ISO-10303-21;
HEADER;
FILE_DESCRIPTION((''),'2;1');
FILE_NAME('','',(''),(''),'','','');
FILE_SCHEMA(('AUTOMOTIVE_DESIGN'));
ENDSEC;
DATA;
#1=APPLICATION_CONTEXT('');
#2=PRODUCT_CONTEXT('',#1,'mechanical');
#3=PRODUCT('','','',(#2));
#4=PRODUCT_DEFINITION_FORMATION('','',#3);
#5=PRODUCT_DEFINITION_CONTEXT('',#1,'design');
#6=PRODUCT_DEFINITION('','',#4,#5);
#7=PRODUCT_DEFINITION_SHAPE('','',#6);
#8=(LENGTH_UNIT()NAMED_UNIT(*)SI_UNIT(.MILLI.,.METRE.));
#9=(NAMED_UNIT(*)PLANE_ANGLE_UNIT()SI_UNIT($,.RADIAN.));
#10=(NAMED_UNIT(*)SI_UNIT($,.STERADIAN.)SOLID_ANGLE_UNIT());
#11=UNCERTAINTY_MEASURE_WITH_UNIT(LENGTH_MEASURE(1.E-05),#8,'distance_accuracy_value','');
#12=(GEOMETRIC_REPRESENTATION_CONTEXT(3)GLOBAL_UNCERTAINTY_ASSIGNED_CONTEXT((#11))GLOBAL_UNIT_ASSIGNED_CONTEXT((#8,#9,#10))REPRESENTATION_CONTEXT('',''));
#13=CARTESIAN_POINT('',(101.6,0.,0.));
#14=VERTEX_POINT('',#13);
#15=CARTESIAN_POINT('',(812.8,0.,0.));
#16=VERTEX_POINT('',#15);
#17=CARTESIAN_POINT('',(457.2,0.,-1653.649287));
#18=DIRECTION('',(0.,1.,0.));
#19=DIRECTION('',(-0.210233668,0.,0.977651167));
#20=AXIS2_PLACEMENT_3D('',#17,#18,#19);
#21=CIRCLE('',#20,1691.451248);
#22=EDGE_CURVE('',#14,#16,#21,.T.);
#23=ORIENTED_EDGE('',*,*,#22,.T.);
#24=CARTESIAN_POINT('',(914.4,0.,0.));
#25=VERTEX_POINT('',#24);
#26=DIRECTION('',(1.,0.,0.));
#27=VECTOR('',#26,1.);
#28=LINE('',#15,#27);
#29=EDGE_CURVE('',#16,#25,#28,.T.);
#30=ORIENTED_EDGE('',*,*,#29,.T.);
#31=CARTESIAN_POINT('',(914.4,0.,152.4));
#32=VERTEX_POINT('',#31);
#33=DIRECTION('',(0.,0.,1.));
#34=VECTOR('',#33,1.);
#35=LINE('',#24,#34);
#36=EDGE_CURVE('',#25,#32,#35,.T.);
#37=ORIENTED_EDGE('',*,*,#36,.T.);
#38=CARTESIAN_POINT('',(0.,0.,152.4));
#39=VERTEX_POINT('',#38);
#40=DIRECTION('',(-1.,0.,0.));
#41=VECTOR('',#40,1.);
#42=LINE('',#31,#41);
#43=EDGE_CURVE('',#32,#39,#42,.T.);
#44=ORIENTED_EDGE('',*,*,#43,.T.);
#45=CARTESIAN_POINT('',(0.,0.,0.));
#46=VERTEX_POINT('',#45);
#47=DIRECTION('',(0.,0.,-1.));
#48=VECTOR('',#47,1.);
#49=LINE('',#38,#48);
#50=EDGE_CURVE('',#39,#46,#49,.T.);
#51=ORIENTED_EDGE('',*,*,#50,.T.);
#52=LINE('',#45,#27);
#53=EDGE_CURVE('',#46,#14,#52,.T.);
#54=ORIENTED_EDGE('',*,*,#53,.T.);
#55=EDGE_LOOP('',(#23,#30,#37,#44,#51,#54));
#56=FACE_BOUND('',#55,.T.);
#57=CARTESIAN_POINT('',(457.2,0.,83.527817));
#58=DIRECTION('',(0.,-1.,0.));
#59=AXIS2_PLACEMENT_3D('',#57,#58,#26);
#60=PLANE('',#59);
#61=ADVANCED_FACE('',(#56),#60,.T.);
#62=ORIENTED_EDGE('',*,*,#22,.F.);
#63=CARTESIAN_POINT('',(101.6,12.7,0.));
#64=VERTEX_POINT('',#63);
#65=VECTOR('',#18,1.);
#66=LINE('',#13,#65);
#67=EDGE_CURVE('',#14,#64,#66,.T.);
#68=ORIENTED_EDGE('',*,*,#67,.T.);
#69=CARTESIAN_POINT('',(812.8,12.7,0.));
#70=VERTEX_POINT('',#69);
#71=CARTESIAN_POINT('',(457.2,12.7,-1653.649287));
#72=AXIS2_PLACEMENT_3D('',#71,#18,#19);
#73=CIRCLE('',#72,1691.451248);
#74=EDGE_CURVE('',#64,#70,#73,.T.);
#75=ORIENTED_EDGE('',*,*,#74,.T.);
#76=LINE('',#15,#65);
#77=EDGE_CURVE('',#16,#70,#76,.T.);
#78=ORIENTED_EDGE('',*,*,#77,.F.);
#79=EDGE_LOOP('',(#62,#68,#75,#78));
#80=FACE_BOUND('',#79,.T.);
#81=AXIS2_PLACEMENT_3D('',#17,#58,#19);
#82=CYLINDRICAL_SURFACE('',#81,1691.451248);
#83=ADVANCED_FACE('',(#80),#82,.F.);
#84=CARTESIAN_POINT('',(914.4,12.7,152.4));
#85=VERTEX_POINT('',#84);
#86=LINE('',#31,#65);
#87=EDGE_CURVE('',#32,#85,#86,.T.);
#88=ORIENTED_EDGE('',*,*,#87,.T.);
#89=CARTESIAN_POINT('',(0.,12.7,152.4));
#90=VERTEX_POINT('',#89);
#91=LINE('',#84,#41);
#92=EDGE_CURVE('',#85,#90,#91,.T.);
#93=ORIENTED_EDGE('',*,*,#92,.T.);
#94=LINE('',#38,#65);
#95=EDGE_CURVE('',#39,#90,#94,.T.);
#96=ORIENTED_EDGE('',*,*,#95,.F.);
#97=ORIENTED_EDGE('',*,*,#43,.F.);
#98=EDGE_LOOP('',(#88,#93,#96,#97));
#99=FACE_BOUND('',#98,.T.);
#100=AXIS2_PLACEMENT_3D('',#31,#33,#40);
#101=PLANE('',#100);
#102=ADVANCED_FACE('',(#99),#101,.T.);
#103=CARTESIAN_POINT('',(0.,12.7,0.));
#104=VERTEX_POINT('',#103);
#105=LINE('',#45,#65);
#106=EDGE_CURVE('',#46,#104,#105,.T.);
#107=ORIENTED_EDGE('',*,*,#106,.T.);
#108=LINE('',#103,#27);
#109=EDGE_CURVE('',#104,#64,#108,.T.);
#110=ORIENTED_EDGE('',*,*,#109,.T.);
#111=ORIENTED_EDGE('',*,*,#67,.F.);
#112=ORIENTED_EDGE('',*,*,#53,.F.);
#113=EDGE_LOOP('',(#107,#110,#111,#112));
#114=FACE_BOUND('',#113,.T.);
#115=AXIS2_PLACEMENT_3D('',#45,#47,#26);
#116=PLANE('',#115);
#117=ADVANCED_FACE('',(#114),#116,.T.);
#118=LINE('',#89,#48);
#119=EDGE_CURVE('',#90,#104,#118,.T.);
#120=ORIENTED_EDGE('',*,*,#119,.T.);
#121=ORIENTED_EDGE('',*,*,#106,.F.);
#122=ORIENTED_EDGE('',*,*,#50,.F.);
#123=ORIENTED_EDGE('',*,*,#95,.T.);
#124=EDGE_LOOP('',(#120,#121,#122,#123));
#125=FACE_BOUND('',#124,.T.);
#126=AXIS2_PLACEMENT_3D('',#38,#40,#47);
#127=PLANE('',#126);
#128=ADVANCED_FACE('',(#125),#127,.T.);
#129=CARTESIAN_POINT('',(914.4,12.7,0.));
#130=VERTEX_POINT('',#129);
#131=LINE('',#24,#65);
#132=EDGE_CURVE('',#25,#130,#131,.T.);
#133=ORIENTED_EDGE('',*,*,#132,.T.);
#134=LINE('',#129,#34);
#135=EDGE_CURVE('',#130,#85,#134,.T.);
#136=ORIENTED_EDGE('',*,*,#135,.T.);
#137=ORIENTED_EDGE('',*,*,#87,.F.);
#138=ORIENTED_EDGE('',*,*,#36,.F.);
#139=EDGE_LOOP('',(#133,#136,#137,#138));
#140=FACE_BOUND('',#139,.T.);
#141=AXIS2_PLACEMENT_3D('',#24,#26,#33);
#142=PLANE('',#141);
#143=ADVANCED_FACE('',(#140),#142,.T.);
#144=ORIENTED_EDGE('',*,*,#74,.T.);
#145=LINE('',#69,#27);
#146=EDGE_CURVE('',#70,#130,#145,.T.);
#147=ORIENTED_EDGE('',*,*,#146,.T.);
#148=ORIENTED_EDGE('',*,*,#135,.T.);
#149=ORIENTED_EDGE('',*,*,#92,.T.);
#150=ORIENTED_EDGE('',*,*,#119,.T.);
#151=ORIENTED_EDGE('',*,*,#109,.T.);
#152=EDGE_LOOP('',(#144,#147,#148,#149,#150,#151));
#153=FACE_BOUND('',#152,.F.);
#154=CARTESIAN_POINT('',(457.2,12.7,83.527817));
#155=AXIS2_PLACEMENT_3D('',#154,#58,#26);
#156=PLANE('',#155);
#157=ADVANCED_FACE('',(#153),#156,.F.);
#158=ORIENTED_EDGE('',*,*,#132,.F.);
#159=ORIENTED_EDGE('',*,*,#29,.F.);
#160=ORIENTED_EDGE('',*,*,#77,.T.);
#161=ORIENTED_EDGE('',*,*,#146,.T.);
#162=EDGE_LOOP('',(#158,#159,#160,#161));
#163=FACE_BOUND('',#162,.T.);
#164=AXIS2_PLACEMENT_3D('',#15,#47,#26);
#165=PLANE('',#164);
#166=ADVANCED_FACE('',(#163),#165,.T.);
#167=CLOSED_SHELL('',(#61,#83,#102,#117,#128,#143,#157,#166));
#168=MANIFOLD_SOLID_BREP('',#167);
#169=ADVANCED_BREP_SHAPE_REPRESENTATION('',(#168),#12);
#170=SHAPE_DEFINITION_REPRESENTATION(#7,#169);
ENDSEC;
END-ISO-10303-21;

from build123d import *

# Parameters (mm, degrees)
F1_DEPTH = 12.7


with BuildPart() as f1:
    # F0 (on Front) → F1 (new body)
    with BuildSketch(Plane.XZ):
        with BuildLine():
            Line((0, 152.4), (0, 0))
            Line((0, 0), (101.6, 0))
            ThreePointArc((101.6, 0), (457.2, 37.801961), (812.8, 0))
            Line((812.8, 0), (914.4, 0))
            Line((914.4, 0), (914.4, 152.4))
            Line((914.4, 152.4), (0, 152.4))
        make_face()
    extrude(amount=-F1_DEPTH)


solid = f1.part
